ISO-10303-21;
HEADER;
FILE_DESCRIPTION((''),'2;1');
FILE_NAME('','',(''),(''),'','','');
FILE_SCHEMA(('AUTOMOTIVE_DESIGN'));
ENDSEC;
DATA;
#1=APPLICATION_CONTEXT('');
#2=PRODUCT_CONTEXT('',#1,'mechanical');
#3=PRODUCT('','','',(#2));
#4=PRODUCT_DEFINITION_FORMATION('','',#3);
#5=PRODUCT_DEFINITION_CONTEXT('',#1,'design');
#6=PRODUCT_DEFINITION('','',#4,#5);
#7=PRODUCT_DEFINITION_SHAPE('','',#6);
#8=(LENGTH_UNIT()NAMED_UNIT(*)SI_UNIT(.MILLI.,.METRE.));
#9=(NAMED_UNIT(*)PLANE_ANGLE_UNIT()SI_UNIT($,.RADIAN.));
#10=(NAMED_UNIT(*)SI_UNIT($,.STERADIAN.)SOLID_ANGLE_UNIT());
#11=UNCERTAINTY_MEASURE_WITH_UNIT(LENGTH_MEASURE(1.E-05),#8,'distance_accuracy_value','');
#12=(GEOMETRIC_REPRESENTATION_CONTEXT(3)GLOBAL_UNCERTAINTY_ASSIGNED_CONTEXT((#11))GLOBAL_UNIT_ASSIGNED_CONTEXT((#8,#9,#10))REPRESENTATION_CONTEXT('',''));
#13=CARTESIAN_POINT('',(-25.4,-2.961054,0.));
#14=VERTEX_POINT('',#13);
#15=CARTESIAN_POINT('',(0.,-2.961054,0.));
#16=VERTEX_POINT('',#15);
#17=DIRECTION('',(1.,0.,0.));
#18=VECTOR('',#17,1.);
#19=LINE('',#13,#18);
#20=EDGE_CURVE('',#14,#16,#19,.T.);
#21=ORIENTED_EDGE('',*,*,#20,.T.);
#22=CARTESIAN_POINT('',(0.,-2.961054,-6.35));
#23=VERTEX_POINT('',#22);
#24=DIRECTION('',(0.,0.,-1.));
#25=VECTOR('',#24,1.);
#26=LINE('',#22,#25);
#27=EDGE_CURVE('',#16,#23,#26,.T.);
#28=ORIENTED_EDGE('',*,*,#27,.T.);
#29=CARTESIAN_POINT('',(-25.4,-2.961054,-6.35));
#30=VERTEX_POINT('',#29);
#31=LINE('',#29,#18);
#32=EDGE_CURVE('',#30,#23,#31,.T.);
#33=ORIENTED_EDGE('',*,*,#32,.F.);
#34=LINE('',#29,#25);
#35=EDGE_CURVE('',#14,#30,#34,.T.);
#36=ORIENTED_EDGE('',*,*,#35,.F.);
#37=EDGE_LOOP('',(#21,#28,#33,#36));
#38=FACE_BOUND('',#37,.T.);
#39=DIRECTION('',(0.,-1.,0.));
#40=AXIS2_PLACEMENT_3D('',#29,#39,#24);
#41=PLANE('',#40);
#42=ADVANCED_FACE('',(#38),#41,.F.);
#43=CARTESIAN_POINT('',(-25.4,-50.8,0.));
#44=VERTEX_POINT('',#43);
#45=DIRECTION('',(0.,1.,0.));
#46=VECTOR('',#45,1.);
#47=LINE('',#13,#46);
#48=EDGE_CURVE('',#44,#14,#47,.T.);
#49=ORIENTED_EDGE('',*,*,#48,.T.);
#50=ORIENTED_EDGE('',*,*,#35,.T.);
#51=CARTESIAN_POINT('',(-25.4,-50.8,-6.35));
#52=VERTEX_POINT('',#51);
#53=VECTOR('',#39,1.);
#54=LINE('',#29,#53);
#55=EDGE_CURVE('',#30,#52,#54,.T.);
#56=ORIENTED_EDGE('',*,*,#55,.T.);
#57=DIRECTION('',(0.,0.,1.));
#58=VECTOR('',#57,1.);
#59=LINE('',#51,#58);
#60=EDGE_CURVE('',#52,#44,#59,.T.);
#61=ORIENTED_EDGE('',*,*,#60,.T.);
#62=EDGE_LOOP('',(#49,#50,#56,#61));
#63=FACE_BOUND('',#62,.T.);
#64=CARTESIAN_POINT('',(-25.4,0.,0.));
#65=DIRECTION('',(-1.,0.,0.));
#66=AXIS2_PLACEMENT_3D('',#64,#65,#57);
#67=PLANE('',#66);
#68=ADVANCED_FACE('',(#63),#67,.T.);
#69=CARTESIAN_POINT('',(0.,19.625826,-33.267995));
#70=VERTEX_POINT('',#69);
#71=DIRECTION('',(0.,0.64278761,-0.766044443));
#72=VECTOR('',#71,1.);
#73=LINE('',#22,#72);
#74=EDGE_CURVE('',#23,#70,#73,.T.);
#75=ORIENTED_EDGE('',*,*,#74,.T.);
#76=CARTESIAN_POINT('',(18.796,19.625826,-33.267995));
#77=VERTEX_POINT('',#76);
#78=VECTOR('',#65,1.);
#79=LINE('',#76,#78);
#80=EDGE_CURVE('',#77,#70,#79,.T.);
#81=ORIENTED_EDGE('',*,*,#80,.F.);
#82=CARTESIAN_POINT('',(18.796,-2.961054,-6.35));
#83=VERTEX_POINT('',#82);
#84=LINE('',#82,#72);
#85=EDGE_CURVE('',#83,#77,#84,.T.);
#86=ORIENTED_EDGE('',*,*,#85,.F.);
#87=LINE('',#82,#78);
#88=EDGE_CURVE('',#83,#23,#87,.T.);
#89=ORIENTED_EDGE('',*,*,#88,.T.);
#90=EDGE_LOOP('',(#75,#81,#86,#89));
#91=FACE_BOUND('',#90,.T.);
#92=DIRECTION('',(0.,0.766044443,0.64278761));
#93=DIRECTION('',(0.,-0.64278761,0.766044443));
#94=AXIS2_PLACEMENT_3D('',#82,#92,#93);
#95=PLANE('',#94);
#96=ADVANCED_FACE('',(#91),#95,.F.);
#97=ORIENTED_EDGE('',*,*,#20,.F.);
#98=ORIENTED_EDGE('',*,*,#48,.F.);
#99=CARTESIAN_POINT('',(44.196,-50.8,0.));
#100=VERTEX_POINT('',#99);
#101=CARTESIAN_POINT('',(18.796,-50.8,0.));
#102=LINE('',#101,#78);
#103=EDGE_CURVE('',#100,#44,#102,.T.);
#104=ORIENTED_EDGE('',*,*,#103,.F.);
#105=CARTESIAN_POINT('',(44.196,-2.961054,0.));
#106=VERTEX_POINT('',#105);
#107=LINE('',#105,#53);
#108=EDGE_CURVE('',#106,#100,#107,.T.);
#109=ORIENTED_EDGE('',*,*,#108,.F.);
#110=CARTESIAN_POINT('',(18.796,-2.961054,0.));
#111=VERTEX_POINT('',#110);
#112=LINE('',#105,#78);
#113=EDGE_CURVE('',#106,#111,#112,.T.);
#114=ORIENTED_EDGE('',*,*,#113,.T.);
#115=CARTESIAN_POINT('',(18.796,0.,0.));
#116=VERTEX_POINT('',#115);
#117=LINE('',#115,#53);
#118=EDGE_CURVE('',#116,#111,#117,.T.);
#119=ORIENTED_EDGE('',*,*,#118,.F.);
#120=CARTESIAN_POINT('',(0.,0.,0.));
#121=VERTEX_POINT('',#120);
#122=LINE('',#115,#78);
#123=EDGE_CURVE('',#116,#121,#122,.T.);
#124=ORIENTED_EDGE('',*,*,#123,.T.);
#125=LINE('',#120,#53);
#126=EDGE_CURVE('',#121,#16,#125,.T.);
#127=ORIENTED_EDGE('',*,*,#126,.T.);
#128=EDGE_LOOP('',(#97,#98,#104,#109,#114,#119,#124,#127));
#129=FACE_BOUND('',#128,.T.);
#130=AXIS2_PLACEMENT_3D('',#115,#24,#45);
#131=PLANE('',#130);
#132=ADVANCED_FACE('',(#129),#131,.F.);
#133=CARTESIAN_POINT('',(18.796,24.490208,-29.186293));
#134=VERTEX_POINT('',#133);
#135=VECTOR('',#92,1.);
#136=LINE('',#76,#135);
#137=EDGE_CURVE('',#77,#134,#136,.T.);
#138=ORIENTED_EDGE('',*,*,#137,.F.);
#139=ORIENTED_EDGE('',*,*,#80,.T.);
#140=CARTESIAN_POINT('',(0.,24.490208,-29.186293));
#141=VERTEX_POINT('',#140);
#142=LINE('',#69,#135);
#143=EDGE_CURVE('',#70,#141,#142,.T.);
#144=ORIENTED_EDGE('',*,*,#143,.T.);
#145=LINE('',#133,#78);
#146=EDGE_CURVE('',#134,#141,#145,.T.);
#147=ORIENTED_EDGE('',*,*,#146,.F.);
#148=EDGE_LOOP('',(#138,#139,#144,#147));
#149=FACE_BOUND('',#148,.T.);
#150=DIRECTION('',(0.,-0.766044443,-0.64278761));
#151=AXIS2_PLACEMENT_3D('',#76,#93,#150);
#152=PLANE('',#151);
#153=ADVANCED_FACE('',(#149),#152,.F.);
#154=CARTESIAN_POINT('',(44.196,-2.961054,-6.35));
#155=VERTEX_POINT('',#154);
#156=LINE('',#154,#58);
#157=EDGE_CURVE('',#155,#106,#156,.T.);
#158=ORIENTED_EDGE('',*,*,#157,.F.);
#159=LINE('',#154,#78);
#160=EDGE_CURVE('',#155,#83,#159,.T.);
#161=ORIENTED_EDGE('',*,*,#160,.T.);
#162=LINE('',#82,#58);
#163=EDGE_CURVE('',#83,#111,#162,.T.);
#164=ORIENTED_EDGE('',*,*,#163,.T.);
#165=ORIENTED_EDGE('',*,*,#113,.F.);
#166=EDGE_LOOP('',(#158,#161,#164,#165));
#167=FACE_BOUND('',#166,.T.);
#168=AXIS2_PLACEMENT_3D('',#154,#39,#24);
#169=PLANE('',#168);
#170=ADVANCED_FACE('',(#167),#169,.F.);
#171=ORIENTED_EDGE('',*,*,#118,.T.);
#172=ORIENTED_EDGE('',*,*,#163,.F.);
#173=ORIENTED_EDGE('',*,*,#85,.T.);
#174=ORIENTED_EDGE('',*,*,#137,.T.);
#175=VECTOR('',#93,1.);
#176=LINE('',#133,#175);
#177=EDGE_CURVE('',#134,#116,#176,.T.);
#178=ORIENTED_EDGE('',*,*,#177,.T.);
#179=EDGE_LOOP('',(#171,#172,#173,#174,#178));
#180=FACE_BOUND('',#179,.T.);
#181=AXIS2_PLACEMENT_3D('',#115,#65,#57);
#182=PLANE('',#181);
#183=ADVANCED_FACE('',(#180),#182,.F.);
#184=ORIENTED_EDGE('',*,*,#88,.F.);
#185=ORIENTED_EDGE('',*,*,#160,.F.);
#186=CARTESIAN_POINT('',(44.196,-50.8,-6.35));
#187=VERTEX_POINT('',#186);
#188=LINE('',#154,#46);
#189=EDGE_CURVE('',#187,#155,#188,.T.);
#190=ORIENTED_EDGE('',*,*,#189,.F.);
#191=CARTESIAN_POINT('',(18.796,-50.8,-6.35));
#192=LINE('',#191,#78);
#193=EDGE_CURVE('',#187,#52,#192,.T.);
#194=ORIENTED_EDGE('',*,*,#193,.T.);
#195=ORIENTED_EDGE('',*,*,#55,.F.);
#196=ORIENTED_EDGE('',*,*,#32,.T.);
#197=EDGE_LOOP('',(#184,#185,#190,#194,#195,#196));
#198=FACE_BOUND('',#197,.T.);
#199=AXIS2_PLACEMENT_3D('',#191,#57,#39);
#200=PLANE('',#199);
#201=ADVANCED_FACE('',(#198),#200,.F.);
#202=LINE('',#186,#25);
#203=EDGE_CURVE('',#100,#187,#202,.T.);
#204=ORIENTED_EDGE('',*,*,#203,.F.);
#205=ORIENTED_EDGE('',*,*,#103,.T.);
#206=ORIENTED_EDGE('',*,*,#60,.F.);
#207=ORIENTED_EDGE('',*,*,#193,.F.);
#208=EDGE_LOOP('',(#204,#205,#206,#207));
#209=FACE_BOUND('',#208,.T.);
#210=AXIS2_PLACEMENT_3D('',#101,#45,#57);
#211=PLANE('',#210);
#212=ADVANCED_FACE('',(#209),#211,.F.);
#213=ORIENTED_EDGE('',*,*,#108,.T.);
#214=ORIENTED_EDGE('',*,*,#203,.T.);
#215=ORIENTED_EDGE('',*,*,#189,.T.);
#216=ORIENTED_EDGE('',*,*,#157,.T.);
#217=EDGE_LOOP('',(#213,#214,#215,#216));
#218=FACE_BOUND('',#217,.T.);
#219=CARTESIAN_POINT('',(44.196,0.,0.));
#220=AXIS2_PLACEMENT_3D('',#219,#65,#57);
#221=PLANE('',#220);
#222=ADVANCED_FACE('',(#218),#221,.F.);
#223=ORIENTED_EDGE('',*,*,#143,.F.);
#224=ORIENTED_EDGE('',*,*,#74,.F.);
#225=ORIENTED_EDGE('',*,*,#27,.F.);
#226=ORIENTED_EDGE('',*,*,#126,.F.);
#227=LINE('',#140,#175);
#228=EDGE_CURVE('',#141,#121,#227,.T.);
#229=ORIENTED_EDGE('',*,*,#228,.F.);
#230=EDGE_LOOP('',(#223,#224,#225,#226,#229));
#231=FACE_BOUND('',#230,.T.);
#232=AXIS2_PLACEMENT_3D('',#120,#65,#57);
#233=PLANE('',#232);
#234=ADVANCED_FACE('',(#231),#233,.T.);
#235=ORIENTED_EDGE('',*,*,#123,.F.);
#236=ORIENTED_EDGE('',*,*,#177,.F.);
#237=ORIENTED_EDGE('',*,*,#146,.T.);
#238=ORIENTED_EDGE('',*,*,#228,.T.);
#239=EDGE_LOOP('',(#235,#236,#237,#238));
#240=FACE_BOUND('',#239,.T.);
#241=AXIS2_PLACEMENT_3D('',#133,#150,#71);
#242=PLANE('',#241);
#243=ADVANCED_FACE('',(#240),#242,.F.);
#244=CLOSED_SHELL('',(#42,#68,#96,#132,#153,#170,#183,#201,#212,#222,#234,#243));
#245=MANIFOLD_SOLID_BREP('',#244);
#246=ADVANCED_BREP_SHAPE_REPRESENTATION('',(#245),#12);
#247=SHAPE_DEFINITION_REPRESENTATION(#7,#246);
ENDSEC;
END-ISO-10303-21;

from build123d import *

# Parameters (mm, degrees)
BOSS_EXTRUDE1_DEPTH = 18.796
SKETCH2_W           = 6.35
SKETCH2_H           = 47.838946371
BOSS_EXTRUDE2_DEPTH = 25.4
SKETCH3_W           = 6.35
SKETCH3_H           = 47.838946371
BOSS_EXTRUDE3_DEPTH = 25.4


with BuildPart() as part:
    # Sketch1 → Boss-Extrude1 (new body)
    with BuildSketch(Plane(origin=(0, 0, 0), x_dir=(0, 0, -1), z_dir=(1, 0, 0))):
        Polygon((0, 0), (0, -50.8), (6.35, -50.8), (6.35, -2.961053629), (33.267994604, 19.625825715), (29.186293283, 24.490207929), align=None)
    extrude(amount=BOSS_EXTRUDE1_DEPTH)

    # Sketch2 → Boss-Extrude2 (add)
    with BuildSketch(Plane(origin=(18.796, 0, 0), x_dir=(0, 0, -1), z_dir=(1, 0, 0))):
        with Locations((3.175, -26.880526815)):
            Rectangle(SKETCH2_W, SKETCH2_H)
    extrude(amount=BOSS_EXTRUDE2_DEPTH)

    # Sketch3 → Boss-Extrude3 (add)
    with BuildSketch(Plane.ZY):
        with Locations((-3.175, -26.880526815)):
            Rectangle(SKETCH3_W, SKETCH3_H)
    extrude(amount=BOSS_EXTRUDE3_DEPTH)


solid = part.part
